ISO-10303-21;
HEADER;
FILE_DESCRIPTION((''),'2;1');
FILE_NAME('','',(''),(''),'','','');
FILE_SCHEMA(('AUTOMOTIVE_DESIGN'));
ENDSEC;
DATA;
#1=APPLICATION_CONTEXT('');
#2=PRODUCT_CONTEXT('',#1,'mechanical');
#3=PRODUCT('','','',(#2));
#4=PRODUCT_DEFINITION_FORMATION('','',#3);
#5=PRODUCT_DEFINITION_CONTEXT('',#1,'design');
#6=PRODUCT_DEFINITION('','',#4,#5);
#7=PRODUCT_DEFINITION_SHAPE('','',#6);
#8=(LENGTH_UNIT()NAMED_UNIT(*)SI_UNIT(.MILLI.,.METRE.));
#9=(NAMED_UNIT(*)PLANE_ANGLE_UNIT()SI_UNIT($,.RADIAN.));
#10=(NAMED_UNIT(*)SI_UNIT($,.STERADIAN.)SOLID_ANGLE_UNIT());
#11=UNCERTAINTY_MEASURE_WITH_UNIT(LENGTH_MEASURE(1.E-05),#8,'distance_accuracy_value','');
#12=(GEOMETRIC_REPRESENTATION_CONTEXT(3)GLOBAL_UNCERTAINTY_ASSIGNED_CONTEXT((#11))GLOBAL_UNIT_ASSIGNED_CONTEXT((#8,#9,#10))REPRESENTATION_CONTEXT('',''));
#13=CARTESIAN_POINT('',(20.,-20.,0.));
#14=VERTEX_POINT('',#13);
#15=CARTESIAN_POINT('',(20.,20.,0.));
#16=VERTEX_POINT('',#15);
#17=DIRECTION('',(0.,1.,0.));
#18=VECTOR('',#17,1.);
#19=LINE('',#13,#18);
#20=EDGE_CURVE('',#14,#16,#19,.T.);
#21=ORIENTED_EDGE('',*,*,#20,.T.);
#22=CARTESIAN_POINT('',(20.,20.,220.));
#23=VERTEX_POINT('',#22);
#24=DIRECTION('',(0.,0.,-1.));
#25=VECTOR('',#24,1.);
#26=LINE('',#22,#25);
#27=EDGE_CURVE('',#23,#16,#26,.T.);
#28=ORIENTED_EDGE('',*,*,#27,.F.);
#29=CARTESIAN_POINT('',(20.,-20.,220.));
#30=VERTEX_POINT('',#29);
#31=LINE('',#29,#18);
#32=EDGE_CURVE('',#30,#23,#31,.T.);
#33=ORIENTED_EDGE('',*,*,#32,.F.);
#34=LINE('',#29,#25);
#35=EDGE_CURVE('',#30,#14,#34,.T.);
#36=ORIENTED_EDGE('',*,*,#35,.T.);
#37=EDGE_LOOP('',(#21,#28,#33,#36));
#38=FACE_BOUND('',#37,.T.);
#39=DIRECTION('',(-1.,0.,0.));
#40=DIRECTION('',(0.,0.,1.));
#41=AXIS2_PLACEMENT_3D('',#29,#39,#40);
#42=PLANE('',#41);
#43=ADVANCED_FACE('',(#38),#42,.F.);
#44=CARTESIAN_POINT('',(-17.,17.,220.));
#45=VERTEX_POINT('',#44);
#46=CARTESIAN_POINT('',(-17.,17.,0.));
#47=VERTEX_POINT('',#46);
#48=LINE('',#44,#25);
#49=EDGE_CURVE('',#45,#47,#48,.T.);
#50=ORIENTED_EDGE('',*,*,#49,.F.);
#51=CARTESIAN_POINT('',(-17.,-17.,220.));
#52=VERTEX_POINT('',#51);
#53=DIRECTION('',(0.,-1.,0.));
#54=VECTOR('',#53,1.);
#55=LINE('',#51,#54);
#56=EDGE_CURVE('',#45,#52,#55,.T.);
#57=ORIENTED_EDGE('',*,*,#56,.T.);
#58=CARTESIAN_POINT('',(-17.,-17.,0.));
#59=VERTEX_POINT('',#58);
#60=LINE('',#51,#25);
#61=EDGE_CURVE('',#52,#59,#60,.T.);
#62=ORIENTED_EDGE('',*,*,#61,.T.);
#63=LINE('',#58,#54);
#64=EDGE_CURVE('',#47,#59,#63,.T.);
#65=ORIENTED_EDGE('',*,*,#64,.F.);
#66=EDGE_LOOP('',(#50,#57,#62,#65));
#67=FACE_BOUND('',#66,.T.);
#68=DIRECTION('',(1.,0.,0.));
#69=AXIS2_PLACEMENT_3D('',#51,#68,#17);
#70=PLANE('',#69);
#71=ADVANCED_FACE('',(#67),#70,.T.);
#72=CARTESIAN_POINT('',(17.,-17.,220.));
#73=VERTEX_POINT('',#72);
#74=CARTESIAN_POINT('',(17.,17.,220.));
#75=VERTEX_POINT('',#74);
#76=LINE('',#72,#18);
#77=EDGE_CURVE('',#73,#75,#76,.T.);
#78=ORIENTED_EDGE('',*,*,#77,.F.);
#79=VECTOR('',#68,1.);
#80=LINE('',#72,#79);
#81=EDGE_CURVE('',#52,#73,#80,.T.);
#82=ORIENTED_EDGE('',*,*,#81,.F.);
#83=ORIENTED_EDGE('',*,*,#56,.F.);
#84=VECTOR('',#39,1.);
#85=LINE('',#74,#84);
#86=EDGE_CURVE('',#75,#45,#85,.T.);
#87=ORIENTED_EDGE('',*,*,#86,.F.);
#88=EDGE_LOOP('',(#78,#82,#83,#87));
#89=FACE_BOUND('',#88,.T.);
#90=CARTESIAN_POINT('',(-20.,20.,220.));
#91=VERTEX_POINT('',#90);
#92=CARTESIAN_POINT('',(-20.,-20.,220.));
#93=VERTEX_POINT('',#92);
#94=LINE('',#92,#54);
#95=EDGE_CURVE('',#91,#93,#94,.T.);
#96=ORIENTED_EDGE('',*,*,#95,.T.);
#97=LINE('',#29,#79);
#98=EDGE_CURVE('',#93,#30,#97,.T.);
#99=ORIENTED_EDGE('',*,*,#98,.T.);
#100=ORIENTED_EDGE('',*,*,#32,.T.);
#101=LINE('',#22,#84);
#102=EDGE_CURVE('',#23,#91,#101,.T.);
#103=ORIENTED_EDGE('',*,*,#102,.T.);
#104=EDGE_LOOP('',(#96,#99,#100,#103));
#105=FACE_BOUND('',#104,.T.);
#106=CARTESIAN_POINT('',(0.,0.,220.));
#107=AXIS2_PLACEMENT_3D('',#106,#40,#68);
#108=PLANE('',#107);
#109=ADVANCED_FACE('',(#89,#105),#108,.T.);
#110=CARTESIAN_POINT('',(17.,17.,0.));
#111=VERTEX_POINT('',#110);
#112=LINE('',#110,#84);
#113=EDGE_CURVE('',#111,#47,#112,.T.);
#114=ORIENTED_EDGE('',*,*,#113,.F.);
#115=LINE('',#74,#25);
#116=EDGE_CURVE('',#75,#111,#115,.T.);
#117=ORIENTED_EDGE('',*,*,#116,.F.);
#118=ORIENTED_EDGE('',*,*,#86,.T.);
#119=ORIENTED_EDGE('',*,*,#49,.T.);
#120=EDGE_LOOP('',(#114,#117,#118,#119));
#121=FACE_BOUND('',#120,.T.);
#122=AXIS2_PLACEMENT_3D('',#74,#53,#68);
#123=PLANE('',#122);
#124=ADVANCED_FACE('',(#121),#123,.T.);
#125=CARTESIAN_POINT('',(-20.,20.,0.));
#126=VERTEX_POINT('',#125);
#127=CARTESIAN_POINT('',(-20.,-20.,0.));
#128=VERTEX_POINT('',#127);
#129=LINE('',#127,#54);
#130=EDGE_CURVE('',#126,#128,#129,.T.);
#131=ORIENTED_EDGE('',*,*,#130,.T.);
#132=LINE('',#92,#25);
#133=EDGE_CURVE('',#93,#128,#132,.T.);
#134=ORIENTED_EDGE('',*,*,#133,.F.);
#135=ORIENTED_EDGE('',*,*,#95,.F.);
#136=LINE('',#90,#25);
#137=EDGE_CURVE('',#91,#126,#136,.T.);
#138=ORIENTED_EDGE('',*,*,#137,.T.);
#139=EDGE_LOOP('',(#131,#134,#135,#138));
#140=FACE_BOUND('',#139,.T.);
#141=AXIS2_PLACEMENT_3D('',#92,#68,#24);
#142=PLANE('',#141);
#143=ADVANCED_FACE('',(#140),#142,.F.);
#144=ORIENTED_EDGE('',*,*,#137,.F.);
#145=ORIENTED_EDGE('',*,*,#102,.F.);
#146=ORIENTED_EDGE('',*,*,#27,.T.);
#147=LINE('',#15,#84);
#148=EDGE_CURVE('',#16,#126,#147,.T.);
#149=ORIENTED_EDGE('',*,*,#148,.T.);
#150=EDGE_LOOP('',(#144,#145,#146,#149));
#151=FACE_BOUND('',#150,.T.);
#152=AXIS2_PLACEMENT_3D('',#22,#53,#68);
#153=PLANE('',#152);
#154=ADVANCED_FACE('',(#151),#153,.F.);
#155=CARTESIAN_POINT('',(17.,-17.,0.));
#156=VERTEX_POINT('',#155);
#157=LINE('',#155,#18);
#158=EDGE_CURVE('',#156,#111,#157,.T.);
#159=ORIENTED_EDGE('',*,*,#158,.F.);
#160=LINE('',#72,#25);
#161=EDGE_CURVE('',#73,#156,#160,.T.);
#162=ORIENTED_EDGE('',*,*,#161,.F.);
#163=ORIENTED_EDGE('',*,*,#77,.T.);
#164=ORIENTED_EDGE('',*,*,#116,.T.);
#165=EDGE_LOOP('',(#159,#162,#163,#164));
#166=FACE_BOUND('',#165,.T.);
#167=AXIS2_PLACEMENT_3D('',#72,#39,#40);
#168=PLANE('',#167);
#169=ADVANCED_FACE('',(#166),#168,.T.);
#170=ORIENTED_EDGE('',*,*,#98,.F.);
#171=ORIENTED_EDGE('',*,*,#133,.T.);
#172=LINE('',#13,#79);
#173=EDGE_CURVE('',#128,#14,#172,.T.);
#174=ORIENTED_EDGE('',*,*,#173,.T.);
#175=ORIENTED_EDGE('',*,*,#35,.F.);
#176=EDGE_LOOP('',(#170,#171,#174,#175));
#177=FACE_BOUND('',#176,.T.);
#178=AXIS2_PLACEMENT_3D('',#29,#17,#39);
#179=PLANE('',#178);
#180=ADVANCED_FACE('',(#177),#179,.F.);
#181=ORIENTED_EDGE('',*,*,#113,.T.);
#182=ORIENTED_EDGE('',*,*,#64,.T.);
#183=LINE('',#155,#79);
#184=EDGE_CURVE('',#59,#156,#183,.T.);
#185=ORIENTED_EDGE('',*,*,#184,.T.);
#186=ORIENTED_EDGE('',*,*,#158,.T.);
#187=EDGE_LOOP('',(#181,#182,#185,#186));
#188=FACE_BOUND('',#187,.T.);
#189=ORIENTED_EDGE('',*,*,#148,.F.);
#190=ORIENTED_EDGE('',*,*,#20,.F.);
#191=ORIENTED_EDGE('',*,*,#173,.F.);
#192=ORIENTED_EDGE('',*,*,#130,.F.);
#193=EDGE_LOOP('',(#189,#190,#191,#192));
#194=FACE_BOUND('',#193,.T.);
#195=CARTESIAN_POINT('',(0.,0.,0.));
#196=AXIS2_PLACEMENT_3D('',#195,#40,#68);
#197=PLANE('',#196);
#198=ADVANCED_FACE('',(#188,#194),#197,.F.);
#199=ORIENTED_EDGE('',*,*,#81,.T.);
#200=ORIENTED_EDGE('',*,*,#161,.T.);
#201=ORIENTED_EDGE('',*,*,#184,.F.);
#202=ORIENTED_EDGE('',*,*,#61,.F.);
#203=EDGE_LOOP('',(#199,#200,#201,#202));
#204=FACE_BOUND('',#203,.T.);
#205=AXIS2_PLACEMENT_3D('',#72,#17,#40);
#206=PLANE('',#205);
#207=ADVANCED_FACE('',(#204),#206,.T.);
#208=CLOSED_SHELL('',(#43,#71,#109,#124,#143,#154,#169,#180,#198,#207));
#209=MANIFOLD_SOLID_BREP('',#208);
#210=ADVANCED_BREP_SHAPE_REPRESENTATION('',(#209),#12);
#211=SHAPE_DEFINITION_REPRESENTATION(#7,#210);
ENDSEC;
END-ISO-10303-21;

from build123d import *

# Parameters (mm, degrees)
SKETCH1_W           = 40
SKETCH1_H           = 40
SKETCH1_W_2         = 34
SKETCH1_H_2         = 34
BOSS_EXTRUDE1_DEPTH = 220


with BuildPart() as part:
    # Sketch1 → Boss-Extrude1 (new body)
    with BuildSketch(Plane.XY):
        Rectangle(SKETCH1_W, SKETCH1_H)
        Rectangle(SKETCH1_W_2, SKETCH1_H_2, mode=Mode.SUBTRACT)
    extrude(amount=BOSS_EXTRUDE1_DEPTH)


solid = part.part
